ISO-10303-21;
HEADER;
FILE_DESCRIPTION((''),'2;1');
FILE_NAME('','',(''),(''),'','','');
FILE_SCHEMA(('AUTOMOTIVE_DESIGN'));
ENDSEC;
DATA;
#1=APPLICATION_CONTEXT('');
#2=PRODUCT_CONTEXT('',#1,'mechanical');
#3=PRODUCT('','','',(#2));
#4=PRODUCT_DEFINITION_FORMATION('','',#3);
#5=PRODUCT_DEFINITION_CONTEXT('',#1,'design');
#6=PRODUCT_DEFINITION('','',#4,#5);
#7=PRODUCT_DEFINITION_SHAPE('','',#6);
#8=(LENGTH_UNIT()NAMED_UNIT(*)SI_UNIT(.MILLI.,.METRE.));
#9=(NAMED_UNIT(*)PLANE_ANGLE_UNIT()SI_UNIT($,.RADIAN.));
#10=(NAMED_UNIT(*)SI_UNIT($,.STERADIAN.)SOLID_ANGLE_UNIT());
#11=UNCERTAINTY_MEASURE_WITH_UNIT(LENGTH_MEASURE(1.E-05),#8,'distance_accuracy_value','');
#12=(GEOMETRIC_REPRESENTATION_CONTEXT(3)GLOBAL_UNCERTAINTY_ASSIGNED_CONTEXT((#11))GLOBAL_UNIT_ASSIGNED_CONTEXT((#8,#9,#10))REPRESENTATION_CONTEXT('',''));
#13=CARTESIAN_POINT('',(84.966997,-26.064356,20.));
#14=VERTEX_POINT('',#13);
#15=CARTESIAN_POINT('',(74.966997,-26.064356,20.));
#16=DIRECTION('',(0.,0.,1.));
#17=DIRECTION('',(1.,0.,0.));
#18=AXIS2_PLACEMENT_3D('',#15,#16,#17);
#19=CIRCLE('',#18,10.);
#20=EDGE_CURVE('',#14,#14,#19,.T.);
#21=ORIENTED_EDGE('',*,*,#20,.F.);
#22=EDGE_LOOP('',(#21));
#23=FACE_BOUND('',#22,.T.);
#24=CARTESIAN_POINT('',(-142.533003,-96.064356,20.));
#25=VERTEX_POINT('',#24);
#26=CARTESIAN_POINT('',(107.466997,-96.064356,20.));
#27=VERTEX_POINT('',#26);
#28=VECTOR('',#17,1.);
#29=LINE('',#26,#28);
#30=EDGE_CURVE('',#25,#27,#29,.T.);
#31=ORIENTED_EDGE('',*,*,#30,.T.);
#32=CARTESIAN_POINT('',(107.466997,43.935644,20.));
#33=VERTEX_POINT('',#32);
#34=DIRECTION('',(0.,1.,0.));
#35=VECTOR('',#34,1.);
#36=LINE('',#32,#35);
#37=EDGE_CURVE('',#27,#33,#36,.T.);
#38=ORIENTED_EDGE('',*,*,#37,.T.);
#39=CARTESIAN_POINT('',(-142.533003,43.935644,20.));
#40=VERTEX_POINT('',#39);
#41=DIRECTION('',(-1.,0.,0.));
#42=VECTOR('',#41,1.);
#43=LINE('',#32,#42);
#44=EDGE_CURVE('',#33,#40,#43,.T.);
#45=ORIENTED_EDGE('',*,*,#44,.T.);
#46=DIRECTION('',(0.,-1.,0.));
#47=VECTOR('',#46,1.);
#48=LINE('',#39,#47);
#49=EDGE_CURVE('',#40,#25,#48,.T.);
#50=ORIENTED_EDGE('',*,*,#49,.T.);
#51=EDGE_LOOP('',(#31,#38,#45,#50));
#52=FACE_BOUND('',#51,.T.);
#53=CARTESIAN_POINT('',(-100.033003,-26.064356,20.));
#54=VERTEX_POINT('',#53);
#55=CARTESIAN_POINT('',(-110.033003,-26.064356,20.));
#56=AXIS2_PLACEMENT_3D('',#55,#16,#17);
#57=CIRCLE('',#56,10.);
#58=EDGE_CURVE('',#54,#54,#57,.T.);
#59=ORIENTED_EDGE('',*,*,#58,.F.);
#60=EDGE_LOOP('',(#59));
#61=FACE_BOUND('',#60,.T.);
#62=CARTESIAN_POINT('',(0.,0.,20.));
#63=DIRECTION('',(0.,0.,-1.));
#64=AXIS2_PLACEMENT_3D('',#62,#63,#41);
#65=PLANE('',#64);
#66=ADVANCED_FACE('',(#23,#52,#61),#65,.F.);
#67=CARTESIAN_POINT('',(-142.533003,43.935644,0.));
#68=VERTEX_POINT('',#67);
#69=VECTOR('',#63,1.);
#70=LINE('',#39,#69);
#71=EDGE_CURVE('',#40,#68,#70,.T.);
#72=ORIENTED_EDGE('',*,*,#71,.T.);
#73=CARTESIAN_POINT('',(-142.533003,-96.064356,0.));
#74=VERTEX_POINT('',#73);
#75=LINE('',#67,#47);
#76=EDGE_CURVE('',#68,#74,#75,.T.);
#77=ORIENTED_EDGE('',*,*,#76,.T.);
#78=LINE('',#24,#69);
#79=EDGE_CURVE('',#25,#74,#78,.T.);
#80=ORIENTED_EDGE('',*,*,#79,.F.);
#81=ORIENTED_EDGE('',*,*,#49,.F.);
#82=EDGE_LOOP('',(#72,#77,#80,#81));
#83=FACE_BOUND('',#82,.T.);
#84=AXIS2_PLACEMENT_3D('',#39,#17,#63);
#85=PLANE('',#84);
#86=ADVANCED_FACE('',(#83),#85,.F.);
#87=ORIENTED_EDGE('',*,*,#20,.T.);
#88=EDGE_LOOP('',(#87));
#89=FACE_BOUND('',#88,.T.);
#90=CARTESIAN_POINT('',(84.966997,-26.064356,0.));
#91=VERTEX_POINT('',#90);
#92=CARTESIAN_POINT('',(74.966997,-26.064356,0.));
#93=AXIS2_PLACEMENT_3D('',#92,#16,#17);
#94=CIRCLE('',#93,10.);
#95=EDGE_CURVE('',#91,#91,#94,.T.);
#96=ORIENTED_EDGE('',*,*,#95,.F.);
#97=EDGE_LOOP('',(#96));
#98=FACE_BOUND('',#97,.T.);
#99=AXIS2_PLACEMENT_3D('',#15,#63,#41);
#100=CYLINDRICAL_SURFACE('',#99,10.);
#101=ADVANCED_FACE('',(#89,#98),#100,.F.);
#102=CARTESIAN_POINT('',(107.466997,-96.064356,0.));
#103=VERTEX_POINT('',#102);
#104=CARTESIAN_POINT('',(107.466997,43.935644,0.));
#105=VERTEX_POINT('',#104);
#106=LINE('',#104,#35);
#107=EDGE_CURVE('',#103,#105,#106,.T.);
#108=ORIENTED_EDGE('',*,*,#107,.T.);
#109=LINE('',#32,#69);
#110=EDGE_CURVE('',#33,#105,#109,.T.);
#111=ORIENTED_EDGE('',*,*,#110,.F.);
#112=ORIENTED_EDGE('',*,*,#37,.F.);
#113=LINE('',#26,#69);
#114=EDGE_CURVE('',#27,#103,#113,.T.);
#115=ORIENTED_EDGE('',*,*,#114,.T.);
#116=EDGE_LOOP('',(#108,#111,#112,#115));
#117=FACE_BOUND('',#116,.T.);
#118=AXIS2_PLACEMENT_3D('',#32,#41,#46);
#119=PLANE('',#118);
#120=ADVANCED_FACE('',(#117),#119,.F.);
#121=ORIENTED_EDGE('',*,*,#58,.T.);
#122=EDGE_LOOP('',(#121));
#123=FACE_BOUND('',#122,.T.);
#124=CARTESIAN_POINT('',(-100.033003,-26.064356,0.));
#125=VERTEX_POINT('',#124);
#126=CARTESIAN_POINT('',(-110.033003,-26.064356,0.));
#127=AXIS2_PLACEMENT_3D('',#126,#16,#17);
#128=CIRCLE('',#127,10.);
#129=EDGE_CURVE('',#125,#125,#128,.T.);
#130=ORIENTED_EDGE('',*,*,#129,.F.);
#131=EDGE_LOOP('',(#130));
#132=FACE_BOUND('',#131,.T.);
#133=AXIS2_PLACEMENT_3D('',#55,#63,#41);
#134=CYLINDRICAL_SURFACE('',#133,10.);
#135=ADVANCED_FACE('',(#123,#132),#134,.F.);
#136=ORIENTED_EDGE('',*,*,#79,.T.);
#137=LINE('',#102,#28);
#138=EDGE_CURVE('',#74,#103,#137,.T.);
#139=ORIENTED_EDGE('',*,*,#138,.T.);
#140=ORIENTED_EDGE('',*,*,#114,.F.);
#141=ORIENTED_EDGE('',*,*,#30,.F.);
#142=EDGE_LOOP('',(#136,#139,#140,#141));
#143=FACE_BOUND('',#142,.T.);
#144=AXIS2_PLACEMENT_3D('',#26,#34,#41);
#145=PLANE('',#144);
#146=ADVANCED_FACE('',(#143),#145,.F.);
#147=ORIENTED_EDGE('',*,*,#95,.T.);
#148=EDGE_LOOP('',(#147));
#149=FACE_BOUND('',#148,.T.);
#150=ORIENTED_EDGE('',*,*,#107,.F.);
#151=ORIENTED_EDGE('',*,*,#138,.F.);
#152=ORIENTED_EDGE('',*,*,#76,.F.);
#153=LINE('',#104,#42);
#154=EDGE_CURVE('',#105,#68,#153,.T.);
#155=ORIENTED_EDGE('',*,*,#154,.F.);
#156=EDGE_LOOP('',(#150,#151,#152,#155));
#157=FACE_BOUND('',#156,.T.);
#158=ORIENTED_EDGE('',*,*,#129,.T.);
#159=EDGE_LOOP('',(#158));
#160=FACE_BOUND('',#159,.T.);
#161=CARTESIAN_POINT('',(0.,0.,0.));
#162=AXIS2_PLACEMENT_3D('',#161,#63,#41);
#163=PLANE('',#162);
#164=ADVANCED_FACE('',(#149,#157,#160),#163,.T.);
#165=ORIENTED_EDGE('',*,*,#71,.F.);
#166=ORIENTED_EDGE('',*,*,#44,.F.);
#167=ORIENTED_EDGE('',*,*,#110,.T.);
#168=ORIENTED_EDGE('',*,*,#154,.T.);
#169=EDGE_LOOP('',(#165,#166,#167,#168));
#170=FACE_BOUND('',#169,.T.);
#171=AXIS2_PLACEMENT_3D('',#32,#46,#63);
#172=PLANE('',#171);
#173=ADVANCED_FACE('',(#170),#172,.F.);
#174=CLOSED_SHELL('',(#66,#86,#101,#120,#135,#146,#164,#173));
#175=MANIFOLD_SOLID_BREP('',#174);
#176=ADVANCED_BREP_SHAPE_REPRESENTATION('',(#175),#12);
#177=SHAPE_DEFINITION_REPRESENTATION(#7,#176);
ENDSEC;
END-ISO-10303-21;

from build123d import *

# Parameters (mm, degrees)
SKETCH1_W           = 250
SKETCH1_H           = 140
SKETCH1_R           = 10
BOSS_EXTRUDE1_DEPTH = 20


with BuildPart() as part:
    # Sketch1 → Boss-Extrude1 (new body)
    with BuildSketch(Plane.XY):
        with Locations((-17.5330033, -26.064356436)):
            Rectangle(SKETCH1_W, SKETCH1_H)
        with Locations((74.9669967, -26.064356436)):
            Circle(SKETCH1_R, mode=Mode.SUBTRACT)
        with Locations((-110.0330033, -26.064356436)):
            Circle(SKETCH1_R, mode=Mode.SUBTRACT)
    extrude(amount=BOSS_EXTRUDE1_DEPTH)


solid = part.part
